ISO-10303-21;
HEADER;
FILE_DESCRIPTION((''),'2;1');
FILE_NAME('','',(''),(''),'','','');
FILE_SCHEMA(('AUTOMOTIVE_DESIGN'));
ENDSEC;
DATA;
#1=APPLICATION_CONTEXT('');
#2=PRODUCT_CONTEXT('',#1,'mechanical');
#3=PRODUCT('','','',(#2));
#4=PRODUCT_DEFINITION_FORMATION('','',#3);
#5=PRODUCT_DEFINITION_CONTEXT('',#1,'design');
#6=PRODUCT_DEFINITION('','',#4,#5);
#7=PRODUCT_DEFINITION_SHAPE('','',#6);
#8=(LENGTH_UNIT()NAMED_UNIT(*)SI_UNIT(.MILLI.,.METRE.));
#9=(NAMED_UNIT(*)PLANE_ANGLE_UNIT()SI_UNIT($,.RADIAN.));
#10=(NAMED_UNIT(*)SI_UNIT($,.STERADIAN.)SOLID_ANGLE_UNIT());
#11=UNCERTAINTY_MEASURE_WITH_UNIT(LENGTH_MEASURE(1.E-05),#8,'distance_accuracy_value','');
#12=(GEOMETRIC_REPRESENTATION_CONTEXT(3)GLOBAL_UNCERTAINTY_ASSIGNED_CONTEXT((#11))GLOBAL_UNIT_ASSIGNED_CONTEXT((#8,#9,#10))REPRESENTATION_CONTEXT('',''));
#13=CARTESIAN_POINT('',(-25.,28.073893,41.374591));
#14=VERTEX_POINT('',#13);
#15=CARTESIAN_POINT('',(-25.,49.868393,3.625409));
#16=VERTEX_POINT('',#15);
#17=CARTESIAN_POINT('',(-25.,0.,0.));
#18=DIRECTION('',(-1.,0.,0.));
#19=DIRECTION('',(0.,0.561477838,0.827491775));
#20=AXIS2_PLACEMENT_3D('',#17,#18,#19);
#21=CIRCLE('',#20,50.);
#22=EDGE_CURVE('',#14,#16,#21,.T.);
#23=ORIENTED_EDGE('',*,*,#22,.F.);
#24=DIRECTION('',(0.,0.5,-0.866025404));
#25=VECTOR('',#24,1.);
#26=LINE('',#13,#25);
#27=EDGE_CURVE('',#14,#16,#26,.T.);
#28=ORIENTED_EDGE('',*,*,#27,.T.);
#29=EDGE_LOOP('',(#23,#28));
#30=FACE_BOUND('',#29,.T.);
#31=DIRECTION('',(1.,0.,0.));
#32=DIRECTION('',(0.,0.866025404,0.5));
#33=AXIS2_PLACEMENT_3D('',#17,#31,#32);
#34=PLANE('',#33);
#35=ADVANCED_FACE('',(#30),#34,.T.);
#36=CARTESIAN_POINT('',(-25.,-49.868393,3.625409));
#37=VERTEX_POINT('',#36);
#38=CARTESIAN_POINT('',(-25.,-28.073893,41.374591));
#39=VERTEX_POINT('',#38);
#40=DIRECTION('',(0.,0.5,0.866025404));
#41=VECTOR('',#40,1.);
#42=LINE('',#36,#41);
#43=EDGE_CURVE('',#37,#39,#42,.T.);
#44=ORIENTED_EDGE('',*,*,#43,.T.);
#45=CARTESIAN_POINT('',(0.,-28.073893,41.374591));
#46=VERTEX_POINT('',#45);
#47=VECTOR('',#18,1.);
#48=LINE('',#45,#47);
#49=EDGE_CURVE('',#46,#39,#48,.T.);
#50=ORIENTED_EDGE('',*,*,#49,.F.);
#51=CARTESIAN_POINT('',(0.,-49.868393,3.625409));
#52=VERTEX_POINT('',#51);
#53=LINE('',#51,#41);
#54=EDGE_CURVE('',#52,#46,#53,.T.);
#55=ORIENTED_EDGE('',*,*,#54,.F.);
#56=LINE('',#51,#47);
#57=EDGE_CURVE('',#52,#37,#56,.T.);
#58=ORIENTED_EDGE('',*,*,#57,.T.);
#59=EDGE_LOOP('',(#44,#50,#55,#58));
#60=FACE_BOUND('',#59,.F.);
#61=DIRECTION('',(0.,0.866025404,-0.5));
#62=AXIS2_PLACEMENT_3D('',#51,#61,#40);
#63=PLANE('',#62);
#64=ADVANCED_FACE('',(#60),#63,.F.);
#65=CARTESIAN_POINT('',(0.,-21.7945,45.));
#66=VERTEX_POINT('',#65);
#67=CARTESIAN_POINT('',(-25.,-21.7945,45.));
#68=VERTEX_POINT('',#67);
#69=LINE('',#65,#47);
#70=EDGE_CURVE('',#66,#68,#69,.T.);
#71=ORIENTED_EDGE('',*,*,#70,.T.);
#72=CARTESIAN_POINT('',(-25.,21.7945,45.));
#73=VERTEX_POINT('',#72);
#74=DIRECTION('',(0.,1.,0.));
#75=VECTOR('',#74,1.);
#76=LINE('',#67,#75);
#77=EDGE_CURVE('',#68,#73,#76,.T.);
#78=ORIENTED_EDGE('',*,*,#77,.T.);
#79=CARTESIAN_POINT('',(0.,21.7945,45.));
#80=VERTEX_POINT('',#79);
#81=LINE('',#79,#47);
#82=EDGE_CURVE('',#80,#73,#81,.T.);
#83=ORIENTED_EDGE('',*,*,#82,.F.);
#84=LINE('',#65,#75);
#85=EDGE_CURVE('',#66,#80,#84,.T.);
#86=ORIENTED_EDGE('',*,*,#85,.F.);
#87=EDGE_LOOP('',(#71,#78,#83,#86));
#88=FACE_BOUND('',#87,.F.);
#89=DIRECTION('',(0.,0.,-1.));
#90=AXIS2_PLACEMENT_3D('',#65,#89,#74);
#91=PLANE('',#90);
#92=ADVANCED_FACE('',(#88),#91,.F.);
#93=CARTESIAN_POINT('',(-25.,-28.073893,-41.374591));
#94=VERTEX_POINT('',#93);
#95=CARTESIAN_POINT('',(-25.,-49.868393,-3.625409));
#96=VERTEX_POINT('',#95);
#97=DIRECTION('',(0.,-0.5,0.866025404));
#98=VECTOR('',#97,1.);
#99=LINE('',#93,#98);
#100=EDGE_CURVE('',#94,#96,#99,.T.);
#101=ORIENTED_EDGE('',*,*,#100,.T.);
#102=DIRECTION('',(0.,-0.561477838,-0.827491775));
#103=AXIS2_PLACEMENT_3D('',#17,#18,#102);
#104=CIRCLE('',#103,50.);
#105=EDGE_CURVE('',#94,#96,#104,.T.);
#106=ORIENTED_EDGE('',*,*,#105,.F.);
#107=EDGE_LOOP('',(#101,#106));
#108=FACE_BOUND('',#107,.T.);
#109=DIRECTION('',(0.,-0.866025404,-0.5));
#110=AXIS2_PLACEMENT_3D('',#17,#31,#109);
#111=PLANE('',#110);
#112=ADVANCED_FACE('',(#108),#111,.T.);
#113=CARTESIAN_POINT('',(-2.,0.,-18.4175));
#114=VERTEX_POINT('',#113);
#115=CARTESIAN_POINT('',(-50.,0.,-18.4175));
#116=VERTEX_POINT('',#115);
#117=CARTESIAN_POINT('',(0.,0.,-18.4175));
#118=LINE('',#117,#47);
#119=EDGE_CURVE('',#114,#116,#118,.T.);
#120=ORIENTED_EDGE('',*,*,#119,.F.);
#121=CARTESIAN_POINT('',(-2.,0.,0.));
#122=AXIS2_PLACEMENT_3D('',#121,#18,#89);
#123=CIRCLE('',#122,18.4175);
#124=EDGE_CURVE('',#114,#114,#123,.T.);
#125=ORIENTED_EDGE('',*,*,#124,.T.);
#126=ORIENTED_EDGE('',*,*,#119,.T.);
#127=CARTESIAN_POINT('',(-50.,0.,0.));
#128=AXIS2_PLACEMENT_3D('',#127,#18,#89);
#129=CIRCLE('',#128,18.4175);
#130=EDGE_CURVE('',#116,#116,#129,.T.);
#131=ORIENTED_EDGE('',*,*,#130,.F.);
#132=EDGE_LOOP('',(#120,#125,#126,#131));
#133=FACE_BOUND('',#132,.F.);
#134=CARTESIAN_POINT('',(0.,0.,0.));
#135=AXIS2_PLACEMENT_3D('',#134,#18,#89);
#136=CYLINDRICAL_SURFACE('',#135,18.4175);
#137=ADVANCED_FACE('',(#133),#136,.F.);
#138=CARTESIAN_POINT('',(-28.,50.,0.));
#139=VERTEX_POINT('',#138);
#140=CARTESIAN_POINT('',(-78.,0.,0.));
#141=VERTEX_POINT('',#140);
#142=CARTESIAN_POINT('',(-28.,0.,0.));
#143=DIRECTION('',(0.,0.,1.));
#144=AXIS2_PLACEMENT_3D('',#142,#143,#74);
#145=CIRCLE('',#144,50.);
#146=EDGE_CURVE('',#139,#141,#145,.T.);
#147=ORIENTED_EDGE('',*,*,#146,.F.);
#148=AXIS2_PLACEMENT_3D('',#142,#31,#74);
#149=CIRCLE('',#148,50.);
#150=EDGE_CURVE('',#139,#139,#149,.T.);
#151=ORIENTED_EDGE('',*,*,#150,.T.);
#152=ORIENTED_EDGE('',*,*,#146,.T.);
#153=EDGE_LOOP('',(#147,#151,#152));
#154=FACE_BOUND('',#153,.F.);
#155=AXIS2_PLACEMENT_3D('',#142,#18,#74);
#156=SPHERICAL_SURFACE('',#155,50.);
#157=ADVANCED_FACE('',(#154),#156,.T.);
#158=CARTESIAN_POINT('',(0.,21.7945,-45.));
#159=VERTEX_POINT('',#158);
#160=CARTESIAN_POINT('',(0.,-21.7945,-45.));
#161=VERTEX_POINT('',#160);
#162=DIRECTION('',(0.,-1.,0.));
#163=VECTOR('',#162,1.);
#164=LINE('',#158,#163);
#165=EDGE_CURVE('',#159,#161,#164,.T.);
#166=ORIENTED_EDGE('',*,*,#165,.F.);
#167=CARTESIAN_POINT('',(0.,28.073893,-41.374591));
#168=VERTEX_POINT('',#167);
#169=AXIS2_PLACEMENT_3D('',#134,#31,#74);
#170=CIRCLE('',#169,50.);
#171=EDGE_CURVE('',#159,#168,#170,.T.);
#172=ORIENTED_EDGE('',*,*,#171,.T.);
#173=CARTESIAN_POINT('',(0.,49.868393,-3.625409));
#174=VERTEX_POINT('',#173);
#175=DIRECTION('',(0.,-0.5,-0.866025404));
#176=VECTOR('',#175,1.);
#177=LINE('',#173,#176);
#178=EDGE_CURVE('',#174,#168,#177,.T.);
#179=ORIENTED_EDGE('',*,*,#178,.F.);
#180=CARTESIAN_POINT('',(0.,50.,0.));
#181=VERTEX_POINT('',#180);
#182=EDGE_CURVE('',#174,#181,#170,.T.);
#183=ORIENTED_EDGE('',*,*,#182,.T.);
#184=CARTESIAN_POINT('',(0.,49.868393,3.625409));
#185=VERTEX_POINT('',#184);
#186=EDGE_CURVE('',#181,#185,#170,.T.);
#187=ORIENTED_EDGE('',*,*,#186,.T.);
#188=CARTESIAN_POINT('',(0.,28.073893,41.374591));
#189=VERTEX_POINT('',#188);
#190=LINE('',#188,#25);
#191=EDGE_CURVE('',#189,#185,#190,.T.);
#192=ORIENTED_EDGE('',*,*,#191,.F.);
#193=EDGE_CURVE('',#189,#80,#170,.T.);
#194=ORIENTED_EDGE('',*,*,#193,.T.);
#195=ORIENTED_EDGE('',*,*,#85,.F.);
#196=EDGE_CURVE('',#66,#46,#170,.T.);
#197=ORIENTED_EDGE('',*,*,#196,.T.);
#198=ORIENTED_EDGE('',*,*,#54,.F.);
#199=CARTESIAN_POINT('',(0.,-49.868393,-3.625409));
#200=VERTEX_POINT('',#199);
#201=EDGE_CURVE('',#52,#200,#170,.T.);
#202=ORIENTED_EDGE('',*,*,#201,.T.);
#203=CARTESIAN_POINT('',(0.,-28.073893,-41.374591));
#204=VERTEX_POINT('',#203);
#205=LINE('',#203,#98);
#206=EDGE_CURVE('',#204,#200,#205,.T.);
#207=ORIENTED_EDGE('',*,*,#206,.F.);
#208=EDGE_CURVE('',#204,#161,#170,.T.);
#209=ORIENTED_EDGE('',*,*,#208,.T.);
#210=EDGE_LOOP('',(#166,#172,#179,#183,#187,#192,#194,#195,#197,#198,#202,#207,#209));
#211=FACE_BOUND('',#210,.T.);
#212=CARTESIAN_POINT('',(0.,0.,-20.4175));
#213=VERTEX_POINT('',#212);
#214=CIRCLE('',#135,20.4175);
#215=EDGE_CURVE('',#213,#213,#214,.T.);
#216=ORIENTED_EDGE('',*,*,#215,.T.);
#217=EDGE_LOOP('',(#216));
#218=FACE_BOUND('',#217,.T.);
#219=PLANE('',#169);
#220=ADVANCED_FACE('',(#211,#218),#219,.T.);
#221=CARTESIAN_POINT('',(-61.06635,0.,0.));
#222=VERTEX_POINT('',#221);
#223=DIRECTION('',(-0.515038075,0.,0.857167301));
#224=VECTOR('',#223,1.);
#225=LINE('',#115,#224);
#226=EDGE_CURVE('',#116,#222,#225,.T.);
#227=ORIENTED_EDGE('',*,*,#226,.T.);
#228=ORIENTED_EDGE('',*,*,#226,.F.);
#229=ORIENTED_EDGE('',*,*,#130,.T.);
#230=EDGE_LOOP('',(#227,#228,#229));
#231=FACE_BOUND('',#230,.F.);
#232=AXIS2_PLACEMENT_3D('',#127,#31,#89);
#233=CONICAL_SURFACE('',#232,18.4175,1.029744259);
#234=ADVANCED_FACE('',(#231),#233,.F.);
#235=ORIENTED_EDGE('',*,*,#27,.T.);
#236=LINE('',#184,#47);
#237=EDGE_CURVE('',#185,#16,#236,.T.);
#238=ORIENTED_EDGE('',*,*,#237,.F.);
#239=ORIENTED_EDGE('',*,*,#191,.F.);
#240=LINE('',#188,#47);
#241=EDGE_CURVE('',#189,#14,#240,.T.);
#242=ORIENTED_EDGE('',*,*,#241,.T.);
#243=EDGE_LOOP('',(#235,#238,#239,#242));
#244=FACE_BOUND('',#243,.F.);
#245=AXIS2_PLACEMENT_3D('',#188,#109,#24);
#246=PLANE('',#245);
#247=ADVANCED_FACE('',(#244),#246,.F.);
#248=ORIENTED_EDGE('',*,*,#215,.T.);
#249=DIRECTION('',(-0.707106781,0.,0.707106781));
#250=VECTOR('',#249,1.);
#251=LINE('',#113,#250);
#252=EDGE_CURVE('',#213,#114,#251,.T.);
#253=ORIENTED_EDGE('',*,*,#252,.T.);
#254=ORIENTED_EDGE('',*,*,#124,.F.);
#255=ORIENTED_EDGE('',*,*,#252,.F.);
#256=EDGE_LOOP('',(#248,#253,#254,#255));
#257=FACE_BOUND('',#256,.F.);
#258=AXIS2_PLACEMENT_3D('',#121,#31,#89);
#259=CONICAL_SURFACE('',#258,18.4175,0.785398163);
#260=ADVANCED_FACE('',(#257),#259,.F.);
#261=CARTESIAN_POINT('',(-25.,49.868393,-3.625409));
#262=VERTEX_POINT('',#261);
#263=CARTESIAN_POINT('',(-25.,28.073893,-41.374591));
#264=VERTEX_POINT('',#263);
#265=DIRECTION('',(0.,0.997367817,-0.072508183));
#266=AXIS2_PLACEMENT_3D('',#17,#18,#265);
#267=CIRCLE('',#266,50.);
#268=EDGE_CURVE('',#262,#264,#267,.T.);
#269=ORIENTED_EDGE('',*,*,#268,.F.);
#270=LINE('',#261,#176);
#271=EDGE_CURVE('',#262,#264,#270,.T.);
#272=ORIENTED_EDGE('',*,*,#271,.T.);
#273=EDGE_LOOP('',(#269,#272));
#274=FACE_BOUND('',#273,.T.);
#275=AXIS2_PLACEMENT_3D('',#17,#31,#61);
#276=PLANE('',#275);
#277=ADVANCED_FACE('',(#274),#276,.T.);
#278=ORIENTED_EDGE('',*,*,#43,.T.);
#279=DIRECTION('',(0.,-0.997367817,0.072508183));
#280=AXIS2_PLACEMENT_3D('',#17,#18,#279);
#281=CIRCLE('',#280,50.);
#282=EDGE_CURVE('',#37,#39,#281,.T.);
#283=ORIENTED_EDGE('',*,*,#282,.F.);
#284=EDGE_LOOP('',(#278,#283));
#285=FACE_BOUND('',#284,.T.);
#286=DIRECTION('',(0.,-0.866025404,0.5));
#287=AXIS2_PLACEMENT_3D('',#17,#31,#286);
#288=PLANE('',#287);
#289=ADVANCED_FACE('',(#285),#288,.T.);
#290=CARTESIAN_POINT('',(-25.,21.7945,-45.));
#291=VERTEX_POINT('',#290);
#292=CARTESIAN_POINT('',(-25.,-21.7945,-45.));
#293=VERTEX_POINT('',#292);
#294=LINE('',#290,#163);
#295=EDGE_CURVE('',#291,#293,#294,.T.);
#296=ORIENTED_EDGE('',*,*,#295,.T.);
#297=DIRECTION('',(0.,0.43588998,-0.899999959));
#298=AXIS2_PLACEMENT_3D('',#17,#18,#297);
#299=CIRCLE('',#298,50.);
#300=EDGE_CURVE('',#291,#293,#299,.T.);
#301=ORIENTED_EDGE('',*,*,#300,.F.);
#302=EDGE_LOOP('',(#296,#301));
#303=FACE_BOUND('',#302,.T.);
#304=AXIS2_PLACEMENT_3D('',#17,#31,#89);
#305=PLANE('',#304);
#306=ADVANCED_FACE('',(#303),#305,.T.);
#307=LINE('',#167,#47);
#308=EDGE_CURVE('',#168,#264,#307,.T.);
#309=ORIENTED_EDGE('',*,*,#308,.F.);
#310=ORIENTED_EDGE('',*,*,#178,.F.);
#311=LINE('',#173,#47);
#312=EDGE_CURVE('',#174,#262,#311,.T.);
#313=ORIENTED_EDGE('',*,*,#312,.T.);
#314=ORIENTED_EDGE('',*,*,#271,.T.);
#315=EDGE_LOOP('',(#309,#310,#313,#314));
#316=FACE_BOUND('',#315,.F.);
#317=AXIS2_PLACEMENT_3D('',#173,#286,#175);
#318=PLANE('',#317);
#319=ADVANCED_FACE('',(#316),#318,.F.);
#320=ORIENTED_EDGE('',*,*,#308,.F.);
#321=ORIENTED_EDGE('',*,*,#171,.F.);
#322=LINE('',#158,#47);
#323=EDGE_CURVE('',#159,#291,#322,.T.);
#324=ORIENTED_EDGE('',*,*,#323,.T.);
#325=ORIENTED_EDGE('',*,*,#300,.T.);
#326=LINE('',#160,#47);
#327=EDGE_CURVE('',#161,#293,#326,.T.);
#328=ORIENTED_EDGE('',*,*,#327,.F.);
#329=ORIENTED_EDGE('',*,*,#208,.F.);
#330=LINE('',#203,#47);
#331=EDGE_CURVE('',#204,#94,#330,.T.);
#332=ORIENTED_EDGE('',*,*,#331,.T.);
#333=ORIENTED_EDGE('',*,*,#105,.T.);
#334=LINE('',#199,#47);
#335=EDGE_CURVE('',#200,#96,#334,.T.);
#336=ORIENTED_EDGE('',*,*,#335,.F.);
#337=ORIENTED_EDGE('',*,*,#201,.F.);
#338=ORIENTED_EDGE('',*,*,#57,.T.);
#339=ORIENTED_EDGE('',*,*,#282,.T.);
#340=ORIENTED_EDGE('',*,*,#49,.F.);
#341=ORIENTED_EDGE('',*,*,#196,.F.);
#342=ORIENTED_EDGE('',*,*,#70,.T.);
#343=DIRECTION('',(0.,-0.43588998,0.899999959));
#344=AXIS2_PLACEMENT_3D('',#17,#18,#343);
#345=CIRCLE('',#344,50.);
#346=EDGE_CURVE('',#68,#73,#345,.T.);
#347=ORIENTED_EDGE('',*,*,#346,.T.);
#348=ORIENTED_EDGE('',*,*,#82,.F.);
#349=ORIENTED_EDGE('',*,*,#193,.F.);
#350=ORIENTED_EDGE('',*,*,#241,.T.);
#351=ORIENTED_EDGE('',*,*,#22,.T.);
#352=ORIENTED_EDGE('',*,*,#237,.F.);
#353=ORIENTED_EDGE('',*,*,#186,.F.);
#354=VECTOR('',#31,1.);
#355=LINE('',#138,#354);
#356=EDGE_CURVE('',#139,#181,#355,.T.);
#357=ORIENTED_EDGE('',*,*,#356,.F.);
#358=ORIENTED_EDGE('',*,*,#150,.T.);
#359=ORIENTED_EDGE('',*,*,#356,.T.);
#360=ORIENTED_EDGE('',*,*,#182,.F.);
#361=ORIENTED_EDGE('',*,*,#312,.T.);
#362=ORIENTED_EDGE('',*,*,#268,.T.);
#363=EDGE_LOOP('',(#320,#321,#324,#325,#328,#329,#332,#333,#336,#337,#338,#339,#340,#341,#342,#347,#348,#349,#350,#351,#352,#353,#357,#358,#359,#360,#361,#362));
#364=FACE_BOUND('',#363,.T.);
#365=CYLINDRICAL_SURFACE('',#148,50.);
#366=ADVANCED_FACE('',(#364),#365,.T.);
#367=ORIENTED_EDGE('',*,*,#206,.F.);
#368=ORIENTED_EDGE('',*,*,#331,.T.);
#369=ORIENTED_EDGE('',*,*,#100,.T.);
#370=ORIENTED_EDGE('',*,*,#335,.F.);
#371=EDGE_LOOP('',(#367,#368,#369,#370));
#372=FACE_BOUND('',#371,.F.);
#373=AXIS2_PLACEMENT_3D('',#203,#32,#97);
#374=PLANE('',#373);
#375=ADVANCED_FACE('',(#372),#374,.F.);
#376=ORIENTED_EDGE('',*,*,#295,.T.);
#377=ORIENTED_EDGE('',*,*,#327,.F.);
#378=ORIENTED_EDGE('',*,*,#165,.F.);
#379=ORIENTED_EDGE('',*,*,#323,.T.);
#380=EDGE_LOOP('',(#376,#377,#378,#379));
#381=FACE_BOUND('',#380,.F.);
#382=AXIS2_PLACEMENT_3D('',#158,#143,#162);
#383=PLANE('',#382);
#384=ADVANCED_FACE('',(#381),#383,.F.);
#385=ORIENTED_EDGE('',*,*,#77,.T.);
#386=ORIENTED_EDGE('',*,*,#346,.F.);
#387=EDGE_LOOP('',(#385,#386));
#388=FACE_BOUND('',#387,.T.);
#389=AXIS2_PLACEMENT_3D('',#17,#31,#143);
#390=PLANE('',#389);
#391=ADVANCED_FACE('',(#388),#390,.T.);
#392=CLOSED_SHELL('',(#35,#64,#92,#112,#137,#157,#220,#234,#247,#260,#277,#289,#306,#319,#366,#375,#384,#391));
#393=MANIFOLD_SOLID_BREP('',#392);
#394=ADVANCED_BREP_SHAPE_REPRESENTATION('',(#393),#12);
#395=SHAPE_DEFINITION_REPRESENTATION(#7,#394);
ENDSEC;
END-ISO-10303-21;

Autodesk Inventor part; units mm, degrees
ref_plane "YZ Plane" through (0, 0, 0) normal (1, 0, 0) x (0, 1, 0)
ref_plane "XZ Plane" through (0, 0, 0) normal (0, 1, 0) x (-1, 0, 0)
ref_plane "XY Plane" through (0, 0, 0) normal (0, 0, 1) x (1, 0, 0)
sketch "Esboço1" plane through (0, 0, 0) normal (0, 0, 1) x (1, 0, 0)
  line L0 (0, 0) -> (-78, 0)
  arc A0 (-28, 50) -> (-78, 0) centre (-28, 0) ccw
  line L1 (-28, 50) -> (0, 50)
  line L2 (0, 50) -> (0, 0)
  line L3 (-106.0264, 0) -> (17.6711, 0) projected
  dimension "d0" = 28
  dimension "d1" = 50
  dimension "d2" = 50
revolve "Revolução1" add sketch "Esboço1" angle 360 about axis through (-10, 0, 0) along (1, 0, 0)
sketch "Esboço2" plane through (0, 0, 0) normal (1, 0, 0) x (0, 0, -1)
  point P0 (0, 0)
  point P1 (0, 0)
hole "Furo1" at (0, 0, 0) direction (-1, 0, 0) diameter 36.835 depth 50 tip angle 118 thread size "M39x2" class "6H" standard "ANSI Metric M Profile"
chamfer "Chanfro1" distance 2 angle 45 1 edges at (0, 0, 18.4175)
sketch "Esboço3" plane through (0, 0, 0) normal (1, 0, 0) x (0, 0, -1)
  circle A0 centre (0, 0) radius 50 projected
  circle A1 centre (0, 0) radius 20.4175 projected
  line L0 (45, 21.7945) -> (45, -21.7945)
  arc A2 (45, -21.7945) -> (45, 21.7945) centre (0, 0) ccw
  dimension "d14" = 45
extrude "Extrusão1" cut sketch "Esboço3" against normal blind 25 contours A0 L0 picked at (45.9189, -4.9362)
pattern_circular "Padrão circular1" count 6 over 360 about axis through (-10, 0, 0) along (1, 0, 0) of "Extrusão1"
